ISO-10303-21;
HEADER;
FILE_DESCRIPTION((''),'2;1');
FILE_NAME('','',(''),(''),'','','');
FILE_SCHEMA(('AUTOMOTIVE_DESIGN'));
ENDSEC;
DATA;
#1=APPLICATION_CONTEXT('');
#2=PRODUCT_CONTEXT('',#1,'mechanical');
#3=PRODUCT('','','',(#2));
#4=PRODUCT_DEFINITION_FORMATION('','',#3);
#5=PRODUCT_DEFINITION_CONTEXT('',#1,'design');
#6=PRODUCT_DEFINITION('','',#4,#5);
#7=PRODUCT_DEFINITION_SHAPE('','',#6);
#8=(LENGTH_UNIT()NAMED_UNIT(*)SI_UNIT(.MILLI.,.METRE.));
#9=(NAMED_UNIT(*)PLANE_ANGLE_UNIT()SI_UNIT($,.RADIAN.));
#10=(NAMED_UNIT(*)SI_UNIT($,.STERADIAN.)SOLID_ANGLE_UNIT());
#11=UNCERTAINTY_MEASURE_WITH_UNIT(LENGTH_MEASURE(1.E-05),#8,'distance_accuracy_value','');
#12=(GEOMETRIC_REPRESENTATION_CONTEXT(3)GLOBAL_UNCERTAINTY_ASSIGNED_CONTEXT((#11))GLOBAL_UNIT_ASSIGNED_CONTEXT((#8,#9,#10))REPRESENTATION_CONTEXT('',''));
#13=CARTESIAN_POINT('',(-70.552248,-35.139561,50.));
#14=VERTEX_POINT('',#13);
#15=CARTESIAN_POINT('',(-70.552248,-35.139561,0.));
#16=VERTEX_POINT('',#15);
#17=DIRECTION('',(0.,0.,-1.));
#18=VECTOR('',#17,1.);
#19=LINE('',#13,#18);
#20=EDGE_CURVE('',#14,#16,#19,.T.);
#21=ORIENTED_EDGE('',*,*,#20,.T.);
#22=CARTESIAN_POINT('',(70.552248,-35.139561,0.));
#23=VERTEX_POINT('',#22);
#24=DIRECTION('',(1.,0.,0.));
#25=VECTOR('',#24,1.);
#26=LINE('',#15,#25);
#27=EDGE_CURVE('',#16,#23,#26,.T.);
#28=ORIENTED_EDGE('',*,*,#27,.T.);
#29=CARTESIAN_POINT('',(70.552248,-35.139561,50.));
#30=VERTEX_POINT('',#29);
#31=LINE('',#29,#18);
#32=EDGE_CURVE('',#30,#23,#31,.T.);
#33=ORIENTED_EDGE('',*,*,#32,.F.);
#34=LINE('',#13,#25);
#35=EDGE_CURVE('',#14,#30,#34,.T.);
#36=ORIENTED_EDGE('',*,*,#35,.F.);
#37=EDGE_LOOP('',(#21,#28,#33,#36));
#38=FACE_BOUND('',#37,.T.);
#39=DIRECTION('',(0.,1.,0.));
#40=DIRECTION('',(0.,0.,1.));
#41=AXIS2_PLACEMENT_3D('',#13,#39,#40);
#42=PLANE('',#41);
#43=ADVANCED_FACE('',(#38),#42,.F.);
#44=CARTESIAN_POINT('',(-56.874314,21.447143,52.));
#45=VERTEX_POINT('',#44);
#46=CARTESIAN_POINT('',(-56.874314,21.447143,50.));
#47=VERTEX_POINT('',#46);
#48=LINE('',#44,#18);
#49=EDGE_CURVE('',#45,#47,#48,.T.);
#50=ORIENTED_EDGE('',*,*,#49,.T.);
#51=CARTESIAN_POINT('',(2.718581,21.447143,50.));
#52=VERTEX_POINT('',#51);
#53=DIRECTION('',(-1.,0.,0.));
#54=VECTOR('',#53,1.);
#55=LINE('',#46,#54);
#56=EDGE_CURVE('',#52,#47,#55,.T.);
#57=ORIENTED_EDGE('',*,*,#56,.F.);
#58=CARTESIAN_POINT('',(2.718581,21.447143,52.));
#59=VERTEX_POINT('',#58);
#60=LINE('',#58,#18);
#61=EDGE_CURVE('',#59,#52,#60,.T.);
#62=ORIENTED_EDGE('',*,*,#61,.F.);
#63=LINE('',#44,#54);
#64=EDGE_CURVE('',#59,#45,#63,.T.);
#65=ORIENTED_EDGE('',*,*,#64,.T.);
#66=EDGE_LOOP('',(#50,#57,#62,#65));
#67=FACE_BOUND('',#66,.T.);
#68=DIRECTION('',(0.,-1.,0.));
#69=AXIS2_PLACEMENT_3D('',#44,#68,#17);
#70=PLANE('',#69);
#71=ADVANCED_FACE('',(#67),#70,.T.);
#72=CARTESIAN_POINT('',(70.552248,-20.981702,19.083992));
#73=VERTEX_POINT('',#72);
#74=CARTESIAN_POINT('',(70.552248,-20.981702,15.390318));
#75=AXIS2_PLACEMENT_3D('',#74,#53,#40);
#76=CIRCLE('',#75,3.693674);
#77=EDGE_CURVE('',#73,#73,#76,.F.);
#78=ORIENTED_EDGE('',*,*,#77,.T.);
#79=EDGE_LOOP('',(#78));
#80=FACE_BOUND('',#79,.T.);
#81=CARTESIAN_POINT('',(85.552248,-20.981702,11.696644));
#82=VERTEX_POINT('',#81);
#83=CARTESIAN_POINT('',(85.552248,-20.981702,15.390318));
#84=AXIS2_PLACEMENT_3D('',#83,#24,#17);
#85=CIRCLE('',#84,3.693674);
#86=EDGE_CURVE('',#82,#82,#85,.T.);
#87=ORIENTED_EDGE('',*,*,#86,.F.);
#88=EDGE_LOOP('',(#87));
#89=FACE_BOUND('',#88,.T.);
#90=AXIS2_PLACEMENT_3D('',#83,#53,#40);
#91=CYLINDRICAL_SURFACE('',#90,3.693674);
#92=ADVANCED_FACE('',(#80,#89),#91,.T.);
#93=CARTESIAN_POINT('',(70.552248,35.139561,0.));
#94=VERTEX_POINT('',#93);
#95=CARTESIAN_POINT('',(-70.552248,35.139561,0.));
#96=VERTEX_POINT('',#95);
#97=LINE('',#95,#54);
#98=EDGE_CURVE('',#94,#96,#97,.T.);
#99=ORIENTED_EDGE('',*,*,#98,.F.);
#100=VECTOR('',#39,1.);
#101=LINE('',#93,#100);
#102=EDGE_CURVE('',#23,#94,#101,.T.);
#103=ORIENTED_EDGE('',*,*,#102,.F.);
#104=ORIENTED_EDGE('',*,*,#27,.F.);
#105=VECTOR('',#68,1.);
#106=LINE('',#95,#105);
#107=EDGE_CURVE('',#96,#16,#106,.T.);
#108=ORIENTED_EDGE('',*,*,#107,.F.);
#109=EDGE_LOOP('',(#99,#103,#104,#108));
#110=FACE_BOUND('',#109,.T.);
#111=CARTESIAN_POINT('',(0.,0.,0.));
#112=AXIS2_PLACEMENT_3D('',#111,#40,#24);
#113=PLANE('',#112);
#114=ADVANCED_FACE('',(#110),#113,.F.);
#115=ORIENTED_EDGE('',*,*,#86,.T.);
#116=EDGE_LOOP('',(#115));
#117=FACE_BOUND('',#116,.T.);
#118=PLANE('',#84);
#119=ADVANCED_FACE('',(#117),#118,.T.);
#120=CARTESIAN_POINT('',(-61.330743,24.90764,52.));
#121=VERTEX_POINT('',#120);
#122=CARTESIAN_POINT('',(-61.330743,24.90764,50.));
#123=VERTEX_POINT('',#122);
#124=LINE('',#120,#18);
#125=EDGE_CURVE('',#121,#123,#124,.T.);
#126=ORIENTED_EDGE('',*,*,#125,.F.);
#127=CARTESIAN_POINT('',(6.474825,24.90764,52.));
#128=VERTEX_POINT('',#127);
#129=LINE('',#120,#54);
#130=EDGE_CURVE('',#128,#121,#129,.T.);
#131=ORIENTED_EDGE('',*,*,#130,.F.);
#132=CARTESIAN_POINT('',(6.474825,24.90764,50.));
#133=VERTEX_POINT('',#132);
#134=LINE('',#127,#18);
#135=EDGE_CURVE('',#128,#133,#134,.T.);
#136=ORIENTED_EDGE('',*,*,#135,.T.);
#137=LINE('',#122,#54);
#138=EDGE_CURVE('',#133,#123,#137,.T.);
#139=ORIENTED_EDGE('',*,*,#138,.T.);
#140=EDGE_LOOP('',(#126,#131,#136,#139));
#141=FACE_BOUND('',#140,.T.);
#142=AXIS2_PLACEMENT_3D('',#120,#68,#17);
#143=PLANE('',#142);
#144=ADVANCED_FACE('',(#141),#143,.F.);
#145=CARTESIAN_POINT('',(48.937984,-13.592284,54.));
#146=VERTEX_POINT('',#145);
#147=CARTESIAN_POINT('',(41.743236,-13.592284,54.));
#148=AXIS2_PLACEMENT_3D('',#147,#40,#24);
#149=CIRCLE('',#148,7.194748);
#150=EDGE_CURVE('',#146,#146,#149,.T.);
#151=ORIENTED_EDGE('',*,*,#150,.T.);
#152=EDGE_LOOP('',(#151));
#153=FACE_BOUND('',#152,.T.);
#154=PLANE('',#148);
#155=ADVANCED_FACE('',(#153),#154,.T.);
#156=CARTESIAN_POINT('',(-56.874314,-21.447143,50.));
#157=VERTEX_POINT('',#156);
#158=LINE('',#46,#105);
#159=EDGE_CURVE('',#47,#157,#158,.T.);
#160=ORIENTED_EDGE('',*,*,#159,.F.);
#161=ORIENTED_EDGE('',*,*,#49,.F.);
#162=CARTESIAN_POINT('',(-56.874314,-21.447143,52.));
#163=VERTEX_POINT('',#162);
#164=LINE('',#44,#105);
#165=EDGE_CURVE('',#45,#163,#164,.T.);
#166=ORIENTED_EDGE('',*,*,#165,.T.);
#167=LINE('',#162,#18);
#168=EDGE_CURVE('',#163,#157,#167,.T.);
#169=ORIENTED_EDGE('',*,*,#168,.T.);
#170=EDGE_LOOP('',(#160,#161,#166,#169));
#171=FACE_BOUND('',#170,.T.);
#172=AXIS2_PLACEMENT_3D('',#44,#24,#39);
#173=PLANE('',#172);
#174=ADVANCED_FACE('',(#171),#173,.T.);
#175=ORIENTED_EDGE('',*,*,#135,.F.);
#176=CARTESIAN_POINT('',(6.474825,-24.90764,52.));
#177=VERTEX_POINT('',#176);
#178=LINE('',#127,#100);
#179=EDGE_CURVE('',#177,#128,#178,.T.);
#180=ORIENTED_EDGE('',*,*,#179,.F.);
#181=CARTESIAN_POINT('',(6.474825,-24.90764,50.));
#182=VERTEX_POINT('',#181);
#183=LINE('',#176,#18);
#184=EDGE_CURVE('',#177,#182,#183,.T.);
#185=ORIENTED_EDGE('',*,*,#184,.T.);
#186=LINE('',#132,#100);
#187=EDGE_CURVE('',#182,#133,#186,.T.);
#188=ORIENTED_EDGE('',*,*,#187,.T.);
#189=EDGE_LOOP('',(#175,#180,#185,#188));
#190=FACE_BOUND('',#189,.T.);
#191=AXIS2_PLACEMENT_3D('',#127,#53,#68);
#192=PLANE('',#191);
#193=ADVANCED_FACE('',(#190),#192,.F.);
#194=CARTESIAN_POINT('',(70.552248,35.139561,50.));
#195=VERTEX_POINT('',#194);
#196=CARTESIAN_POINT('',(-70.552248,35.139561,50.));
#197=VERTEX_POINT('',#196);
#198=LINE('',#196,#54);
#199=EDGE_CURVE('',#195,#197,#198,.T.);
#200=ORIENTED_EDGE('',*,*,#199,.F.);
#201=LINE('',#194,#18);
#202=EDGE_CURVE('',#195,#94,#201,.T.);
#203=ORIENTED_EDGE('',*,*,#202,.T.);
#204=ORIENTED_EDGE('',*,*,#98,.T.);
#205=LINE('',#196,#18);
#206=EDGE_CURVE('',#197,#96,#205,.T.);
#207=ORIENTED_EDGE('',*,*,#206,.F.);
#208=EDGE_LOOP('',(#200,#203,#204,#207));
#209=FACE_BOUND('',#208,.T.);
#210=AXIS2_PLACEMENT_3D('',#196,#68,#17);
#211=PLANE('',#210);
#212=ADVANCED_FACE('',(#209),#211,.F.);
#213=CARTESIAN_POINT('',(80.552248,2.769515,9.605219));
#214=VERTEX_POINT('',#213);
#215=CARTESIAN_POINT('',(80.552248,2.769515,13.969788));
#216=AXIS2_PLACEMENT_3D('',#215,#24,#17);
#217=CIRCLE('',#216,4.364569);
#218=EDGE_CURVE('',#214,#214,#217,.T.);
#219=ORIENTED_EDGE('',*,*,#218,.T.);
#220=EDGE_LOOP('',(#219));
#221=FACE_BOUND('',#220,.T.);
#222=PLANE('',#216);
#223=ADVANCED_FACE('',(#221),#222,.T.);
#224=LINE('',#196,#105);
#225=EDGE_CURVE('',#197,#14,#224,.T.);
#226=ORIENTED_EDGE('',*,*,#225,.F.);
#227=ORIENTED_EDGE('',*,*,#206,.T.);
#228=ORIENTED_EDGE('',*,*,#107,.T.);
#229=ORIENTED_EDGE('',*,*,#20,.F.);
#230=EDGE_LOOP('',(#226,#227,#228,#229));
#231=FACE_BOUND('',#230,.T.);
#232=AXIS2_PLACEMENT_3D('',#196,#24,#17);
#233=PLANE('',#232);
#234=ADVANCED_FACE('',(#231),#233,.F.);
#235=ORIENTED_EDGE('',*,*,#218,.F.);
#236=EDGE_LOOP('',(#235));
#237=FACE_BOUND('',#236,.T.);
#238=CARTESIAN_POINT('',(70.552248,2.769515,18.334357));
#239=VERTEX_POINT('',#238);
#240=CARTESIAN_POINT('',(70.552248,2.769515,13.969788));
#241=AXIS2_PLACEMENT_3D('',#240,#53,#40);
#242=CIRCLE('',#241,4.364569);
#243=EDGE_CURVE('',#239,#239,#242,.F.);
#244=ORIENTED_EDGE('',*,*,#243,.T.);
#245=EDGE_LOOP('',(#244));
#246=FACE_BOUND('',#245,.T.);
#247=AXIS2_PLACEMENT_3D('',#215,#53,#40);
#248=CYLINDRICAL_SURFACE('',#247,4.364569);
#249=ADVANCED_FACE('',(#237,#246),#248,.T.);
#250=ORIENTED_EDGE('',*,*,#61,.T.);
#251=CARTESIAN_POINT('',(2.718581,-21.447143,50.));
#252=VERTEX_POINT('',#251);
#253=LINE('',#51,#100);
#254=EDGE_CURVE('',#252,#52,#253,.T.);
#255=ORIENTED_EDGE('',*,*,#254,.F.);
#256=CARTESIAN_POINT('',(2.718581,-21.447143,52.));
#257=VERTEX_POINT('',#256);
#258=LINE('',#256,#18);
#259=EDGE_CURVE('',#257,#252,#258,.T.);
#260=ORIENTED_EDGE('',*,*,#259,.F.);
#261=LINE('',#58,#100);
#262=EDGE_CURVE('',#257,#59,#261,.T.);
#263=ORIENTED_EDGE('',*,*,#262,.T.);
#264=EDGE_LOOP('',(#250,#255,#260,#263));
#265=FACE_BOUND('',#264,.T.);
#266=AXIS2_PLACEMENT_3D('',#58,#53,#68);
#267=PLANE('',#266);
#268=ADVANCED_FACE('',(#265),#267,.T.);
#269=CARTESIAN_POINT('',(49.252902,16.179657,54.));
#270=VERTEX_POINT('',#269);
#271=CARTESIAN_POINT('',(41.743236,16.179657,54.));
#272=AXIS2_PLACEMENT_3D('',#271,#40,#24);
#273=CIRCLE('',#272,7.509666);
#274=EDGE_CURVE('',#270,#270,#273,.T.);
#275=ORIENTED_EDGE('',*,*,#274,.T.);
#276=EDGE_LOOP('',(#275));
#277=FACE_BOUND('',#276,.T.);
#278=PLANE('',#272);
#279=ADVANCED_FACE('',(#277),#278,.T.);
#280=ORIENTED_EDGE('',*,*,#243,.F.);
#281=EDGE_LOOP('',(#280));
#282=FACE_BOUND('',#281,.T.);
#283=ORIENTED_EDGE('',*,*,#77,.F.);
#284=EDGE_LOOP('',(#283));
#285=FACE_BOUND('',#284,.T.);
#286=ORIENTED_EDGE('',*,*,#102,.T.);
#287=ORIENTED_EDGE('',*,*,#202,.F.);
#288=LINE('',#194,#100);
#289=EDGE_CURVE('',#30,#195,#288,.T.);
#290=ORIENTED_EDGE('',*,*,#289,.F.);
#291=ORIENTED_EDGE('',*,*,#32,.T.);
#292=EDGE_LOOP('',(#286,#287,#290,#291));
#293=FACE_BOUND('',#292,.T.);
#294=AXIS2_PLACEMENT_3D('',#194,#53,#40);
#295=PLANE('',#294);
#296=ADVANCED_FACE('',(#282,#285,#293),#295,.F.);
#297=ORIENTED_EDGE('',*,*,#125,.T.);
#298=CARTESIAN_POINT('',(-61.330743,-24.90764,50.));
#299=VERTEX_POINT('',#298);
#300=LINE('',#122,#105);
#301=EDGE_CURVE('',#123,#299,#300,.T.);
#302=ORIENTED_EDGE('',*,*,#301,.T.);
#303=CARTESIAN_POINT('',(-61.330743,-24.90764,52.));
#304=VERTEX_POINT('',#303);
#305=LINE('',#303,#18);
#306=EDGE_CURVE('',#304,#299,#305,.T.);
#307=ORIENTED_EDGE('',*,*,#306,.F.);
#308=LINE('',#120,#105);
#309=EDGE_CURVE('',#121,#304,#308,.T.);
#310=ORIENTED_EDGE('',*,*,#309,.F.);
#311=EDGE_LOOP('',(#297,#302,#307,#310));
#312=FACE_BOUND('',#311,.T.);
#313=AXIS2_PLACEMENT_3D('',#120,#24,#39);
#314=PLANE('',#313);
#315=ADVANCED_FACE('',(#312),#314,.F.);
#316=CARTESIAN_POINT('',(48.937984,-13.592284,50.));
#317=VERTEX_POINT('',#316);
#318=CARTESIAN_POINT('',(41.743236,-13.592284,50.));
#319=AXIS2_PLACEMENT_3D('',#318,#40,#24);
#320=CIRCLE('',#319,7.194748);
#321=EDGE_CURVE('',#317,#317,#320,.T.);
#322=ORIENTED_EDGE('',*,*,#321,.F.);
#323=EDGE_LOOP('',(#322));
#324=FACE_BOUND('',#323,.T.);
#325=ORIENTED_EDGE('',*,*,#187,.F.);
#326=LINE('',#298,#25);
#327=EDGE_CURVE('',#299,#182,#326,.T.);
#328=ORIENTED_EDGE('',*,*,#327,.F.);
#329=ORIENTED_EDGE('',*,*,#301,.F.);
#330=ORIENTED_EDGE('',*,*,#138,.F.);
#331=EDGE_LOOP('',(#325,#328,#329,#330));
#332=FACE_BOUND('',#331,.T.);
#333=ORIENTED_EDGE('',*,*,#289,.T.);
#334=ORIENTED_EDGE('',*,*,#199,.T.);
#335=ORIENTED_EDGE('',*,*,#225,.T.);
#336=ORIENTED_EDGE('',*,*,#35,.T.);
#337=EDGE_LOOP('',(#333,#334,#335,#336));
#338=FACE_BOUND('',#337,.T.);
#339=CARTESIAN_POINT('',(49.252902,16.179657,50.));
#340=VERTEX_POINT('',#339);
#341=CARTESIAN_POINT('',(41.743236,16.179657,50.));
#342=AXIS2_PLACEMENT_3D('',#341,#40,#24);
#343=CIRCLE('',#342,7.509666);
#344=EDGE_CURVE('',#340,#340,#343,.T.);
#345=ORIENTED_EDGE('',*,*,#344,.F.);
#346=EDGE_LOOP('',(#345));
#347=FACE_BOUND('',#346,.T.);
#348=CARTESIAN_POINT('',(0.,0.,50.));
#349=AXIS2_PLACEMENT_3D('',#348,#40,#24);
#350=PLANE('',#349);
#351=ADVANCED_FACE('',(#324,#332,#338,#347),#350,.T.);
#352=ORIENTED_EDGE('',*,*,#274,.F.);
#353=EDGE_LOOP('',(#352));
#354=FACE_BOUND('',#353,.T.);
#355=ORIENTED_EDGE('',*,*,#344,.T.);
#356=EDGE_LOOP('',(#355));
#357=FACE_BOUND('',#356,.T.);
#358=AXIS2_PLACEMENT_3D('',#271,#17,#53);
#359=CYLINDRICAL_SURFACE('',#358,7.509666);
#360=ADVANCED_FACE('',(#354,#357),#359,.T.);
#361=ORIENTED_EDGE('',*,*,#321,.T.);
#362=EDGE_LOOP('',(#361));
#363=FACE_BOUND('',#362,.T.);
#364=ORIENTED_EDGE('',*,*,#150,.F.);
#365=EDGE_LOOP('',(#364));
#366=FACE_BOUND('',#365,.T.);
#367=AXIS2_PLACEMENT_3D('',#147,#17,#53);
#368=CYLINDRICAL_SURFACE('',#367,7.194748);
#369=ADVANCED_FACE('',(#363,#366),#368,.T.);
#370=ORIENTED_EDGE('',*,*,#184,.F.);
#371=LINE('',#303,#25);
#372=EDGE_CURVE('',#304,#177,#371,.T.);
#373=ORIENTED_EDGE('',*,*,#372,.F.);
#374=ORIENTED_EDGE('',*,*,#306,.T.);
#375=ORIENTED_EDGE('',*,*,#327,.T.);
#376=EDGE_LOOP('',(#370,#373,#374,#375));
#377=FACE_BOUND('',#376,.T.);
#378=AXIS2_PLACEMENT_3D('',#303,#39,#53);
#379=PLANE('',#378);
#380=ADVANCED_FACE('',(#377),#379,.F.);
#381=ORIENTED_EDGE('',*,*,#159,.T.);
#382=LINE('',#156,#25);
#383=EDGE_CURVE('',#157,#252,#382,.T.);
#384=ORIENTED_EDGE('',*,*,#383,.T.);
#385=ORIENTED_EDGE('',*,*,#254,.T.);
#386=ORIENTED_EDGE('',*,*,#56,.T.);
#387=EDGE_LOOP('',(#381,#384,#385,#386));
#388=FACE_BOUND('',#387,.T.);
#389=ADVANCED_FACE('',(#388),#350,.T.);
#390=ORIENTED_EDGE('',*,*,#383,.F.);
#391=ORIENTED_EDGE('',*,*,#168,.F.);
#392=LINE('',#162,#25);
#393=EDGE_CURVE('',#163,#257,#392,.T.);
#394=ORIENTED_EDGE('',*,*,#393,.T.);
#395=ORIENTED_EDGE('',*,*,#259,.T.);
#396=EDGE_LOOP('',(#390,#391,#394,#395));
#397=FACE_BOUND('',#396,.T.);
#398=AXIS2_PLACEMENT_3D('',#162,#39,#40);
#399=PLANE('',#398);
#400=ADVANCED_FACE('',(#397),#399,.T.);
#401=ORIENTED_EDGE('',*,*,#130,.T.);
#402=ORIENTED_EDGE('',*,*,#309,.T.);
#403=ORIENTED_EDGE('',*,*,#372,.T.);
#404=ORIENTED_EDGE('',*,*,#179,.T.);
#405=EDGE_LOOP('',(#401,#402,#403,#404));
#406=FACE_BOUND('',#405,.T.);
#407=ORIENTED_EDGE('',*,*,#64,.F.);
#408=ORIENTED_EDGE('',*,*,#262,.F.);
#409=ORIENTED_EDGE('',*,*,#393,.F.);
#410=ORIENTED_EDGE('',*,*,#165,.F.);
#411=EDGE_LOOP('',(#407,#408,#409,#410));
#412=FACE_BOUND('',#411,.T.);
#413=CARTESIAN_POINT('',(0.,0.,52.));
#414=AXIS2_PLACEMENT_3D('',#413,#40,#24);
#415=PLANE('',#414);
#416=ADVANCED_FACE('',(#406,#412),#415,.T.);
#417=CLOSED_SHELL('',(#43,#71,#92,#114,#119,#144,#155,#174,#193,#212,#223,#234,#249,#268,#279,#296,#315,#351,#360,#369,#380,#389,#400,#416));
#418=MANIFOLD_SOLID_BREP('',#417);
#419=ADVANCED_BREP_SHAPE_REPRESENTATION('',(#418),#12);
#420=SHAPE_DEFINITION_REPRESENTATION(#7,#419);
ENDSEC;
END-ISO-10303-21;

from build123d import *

# Parameters (mm, degrees)
SKETCH1_W           = 141.104496432
SKETCH1_H           = 70.279121138
BOSS_EXTRUDE1_DEPTH = 50
SKETCH2_W           = 67.805568122
SKETCH2_H           = 49.81527963
SKETCH2_W_2         = 59.592894194
SKETCH2_H_2         = 42.894286786
BOSS_EXTRUDE2_DEPTH = 2
SKETCH3_R           = 7.50966637
SKETCH3_R_2         = 7.194748193
BOSS_EXTRUDE3_DEPTH = 4
SKETCH4_R           = 4.364569168
BOSS_EXTRUDE4_DEPTH = 10
SKETCH5_R           = 3.693674176
BOSS_EXTRUDE5_DEPTH = 15


with BuildPart() as part:
    # Sketch1 → Boss-Extrude1 (new body)
    with BuildSketch(Plane.XY):
        Rectangle(SKETCH1_W, SKETCH1_H)
    extrude(amount=BOSS_EXTRUDE1_DEPTH)

    # Sketch2 → Boss-Extrude2 (add)
    with BuildSketch(Plane.XY.offset(50)):
        with Locations((-27.427958915, 0)):
            Rectangle(SKETCH2_W, SKETCH2_H)
        with Locations((-27.077866503, 0)):
            Rectangle(SKETCH2_W_2, SKETCH2_H_2, mode=Mode.SUBTRACT)
    extrude(amount=BOSS_EXTRUDE2_DEPTH)

    # Sketch3 → Boss-Extrude3 (add)
    with BuildSketch(Plane.XY.offset(50)):
        with Locations((41.743235824, 16.179657371)):
            Circle(SKETCH3_R)
        with Locations((41.743235824, -13.592283792)):
            Circle(SKETCH3_R_2)
    extrude(amount=BOSS_EXTRUDE3_DEPTH)

    # Sketch4 → Boss-Extrude4 (add)
    with BuildSketch(Plane(origin=(70.552248216, 0, 0), x_dir=(0, 0, -1), z_dir=(1, 0, 0))):
        with Locations(Location((-13.969787954, 2.76951533, 0), (0, 0, 180))):
            Circle(SKETCH4_R)
    extrude(amount=BOSS_EXTRUDE4_DEPTH)

    # Sketch5 → Boss-Extrude5 (add)
    with BuildSketch(Plane(origin=(70.552248216, 0, 0), x_dir=(0, 0, -1), z_dir=(1, 0, 0))):
        with Locations(Location((-15.390317834, -20.981701915, 0), (0, 0, 180))):
            Circle(SKETCH5_R)
    extrude(amount=BOSS_EXTRUDE5_DEPTH)


solid = part.part
